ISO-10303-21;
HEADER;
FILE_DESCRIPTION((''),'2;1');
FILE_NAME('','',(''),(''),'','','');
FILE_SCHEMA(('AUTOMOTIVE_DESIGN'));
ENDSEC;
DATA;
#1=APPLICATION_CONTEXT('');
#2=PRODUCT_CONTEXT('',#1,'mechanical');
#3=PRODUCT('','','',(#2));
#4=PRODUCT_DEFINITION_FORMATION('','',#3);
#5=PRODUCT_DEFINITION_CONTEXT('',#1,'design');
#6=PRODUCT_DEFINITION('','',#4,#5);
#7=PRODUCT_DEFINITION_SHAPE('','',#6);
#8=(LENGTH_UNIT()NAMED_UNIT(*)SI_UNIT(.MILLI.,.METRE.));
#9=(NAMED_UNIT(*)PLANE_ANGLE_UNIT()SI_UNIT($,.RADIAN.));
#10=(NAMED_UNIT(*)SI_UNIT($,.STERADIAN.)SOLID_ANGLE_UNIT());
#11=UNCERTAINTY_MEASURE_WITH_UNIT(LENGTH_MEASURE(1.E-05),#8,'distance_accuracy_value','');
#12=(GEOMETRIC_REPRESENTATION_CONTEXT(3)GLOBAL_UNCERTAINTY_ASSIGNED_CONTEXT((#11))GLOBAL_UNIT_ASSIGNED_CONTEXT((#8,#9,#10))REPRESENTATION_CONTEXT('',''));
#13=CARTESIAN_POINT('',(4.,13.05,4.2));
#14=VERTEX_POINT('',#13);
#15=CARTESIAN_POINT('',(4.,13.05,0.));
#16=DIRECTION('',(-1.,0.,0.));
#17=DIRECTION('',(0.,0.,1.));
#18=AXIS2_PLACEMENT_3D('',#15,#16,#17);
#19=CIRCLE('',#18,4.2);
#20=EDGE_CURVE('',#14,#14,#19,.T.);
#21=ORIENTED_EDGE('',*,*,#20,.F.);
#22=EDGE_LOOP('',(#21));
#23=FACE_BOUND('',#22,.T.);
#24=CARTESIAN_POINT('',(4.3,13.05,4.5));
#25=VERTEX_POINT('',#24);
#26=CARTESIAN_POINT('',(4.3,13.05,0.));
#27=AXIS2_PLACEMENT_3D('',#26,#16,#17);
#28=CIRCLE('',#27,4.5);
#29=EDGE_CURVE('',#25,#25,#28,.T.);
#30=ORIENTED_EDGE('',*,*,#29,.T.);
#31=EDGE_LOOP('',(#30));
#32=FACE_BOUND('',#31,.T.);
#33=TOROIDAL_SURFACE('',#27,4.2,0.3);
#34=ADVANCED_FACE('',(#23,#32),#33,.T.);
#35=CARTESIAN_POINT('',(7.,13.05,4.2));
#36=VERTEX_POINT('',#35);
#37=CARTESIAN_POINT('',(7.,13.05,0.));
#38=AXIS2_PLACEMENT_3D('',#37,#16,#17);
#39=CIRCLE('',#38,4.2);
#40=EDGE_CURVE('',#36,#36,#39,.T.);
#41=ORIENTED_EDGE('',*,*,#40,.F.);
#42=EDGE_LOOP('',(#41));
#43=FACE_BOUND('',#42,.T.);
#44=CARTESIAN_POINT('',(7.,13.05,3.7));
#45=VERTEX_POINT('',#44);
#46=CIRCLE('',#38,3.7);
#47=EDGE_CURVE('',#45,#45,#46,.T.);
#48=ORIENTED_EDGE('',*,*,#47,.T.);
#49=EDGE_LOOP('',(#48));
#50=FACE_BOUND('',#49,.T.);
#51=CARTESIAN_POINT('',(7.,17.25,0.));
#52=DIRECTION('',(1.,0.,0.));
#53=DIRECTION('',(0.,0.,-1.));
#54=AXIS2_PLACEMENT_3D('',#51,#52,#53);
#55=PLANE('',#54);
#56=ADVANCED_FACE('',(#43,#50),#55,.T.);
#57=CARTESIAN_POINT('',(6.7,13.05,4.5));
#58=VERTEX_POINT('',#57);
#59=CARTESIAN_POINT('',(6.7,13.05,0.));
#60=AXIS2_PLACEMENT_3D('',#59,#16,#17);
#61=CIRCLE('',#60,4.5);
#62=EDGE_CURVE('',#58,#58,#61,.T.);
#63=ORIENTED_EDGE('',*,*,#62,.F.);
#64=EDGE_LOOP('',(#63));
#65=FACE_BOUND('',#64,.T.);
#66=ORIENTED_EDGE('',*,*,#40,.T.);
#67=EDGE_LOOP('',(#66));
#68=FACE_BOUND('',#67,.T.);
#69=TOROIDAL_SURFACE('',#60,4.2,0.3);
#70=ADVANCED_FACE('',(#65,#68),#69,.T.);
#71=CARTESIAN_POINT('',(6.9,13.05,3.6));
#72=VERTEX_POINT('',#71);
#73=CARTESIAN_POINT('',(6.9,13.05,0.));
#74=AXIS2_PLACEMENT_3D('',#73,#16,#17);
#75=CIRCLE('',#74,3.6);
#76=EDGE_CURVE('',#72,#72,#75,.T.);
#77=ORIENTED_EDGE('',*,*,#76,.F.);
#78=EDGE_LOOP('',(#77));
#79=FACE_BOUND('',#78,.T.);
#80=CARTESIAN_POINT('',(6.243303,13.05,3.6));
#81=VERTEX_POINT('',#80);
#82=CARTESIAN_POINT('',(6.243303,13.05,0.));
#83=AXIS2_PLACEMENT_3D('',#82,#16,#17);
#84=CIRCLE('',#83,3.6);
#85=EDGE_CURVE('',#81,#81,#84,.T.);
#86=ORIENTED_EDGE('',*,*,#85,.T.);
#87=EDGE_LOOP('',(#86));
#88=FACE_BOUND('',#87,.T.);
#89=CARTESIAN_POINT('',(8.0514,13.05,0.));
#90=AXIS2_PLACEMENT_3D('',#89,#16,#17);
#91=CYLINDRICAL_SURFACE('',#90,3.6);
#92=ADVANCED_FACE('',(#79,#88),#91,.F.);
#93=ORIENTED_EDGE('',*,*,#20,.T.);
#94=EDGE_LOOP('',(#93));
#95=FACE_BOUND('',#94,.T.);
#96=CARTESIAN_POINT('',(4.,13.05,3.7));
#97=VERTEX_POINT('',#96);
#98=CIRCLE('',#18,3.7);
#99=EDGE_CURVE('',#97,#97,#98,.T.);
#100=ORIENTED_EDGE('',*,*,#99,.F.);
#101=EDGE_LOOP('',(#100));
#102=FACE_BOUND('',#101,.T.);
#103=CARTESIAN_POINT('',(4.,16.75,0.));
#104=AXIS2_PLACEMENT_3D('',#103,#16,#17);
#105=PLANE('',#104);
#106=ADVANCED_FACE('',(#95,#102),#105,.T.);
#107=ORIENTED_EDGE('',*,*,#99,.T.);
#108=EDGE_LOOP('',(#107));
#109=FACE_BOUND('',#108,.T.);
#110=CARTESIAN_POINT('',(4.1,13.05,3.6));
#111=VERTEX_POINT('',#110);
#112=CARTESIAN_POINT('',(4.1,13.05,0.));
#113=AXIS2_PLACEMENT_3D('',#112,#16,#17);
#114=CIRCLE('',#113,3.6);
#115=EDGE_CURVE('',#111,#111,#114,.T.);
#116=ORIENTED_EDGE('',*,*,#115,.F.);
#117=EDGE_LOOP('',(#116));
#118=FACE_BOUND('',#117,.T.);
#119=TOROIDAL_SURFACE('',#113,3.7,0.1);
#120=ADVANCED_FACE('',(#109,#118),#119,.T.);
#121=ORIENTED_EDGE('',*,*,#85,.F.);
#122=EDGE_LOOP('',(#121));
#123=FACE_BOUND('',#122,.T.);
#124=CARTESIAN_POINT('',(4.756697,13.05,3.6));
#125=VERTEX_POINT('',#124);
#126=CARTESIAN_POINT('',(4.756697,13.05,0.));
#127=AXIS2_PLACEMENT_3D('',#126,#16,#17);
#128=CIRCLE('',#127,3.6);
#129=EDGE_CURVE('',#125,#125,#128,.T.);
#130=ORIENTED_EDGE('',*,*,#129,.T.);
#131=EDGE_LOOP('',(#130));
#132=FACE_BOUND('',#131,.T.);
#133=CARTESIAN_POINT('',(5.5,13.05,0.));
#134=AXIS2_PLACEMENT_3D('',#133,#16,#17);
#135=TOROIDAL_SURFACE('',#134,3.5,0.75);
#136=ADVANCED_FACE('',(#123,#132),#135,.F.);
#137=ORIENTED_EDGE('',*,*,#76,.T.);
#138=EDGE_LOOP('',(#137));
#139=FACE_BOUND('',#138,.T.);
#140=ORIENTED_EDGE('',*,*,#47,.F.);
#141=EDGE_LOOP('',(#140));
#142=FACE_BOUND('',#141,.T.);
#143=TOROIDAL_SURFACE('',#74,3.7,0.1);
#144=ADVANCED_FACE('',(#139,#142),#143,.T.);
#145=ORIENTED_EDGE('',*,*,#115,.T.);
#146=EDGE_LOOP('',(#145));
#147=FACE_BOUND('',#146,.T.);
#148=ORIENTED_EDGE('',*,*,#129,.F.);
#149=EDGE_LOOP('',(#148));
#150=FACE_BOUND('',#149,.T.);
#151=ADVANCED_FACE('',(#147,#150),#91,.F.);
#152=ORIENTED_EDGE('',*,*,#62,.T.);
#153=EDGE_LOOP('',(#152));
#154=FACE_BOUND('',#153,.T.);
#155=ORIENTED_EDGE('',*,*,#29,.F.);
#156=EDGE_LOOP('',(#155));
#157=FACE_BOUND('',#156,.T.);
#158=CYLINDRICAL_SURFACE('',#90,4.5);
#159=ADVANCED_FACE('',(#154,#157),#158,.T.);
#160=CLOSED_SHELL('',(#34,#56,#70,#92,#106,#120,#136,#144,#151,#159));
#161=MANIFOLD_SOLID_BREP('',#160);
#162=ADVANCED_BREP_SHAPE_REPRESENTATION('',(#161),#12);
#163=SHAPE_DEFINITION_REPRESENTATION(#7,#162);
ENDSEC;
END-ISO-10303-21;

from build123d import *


with BuildPart() as part:
    # Sketch1 → Revolve1 (revolve)
    with BuildSketch(Plane(origin=(0, 0, 0), x_dir=(-1, 0, 0), z_dir=(0, 0, -1))):
        with BuildLine():
            Line((-6.9, 16.65), (-6.243303437, 16.65))
            ThreePointArc((-6.243303437, 16.65), (-5.5, 17.3), (-4.756696563, 16.65))
            Line((-4.756696563, 16.65), (-4.1, 16.65))
            ThreePointArc((-4.1, 16.65), (-4.029289322, 16.679289322), (-4, 16.75))
            Line((-4, 16.75), (-4, 17.25))
            ThreePointArc((-4, 17.25), (-4.087867966, 17.462132034), (-4.3, 17.55))
            Line((-4.3, 17.55), (-6.7, 17.55))
            ThreePointArc((-6.7, 17.55), (-6.912132034, 17.462132034), (-7, 17.25))
            Line((-7, 17.25), (-7, 16.75))
            ThreePointArc((-7, 16.75), (-6.970710678, 16.679289322), (-6.9, 16.65))
        make_face()
    revolve(axis=Axis((8.051399781, 13.05, 0), (-1, 0, 0)))


solid = part.part
